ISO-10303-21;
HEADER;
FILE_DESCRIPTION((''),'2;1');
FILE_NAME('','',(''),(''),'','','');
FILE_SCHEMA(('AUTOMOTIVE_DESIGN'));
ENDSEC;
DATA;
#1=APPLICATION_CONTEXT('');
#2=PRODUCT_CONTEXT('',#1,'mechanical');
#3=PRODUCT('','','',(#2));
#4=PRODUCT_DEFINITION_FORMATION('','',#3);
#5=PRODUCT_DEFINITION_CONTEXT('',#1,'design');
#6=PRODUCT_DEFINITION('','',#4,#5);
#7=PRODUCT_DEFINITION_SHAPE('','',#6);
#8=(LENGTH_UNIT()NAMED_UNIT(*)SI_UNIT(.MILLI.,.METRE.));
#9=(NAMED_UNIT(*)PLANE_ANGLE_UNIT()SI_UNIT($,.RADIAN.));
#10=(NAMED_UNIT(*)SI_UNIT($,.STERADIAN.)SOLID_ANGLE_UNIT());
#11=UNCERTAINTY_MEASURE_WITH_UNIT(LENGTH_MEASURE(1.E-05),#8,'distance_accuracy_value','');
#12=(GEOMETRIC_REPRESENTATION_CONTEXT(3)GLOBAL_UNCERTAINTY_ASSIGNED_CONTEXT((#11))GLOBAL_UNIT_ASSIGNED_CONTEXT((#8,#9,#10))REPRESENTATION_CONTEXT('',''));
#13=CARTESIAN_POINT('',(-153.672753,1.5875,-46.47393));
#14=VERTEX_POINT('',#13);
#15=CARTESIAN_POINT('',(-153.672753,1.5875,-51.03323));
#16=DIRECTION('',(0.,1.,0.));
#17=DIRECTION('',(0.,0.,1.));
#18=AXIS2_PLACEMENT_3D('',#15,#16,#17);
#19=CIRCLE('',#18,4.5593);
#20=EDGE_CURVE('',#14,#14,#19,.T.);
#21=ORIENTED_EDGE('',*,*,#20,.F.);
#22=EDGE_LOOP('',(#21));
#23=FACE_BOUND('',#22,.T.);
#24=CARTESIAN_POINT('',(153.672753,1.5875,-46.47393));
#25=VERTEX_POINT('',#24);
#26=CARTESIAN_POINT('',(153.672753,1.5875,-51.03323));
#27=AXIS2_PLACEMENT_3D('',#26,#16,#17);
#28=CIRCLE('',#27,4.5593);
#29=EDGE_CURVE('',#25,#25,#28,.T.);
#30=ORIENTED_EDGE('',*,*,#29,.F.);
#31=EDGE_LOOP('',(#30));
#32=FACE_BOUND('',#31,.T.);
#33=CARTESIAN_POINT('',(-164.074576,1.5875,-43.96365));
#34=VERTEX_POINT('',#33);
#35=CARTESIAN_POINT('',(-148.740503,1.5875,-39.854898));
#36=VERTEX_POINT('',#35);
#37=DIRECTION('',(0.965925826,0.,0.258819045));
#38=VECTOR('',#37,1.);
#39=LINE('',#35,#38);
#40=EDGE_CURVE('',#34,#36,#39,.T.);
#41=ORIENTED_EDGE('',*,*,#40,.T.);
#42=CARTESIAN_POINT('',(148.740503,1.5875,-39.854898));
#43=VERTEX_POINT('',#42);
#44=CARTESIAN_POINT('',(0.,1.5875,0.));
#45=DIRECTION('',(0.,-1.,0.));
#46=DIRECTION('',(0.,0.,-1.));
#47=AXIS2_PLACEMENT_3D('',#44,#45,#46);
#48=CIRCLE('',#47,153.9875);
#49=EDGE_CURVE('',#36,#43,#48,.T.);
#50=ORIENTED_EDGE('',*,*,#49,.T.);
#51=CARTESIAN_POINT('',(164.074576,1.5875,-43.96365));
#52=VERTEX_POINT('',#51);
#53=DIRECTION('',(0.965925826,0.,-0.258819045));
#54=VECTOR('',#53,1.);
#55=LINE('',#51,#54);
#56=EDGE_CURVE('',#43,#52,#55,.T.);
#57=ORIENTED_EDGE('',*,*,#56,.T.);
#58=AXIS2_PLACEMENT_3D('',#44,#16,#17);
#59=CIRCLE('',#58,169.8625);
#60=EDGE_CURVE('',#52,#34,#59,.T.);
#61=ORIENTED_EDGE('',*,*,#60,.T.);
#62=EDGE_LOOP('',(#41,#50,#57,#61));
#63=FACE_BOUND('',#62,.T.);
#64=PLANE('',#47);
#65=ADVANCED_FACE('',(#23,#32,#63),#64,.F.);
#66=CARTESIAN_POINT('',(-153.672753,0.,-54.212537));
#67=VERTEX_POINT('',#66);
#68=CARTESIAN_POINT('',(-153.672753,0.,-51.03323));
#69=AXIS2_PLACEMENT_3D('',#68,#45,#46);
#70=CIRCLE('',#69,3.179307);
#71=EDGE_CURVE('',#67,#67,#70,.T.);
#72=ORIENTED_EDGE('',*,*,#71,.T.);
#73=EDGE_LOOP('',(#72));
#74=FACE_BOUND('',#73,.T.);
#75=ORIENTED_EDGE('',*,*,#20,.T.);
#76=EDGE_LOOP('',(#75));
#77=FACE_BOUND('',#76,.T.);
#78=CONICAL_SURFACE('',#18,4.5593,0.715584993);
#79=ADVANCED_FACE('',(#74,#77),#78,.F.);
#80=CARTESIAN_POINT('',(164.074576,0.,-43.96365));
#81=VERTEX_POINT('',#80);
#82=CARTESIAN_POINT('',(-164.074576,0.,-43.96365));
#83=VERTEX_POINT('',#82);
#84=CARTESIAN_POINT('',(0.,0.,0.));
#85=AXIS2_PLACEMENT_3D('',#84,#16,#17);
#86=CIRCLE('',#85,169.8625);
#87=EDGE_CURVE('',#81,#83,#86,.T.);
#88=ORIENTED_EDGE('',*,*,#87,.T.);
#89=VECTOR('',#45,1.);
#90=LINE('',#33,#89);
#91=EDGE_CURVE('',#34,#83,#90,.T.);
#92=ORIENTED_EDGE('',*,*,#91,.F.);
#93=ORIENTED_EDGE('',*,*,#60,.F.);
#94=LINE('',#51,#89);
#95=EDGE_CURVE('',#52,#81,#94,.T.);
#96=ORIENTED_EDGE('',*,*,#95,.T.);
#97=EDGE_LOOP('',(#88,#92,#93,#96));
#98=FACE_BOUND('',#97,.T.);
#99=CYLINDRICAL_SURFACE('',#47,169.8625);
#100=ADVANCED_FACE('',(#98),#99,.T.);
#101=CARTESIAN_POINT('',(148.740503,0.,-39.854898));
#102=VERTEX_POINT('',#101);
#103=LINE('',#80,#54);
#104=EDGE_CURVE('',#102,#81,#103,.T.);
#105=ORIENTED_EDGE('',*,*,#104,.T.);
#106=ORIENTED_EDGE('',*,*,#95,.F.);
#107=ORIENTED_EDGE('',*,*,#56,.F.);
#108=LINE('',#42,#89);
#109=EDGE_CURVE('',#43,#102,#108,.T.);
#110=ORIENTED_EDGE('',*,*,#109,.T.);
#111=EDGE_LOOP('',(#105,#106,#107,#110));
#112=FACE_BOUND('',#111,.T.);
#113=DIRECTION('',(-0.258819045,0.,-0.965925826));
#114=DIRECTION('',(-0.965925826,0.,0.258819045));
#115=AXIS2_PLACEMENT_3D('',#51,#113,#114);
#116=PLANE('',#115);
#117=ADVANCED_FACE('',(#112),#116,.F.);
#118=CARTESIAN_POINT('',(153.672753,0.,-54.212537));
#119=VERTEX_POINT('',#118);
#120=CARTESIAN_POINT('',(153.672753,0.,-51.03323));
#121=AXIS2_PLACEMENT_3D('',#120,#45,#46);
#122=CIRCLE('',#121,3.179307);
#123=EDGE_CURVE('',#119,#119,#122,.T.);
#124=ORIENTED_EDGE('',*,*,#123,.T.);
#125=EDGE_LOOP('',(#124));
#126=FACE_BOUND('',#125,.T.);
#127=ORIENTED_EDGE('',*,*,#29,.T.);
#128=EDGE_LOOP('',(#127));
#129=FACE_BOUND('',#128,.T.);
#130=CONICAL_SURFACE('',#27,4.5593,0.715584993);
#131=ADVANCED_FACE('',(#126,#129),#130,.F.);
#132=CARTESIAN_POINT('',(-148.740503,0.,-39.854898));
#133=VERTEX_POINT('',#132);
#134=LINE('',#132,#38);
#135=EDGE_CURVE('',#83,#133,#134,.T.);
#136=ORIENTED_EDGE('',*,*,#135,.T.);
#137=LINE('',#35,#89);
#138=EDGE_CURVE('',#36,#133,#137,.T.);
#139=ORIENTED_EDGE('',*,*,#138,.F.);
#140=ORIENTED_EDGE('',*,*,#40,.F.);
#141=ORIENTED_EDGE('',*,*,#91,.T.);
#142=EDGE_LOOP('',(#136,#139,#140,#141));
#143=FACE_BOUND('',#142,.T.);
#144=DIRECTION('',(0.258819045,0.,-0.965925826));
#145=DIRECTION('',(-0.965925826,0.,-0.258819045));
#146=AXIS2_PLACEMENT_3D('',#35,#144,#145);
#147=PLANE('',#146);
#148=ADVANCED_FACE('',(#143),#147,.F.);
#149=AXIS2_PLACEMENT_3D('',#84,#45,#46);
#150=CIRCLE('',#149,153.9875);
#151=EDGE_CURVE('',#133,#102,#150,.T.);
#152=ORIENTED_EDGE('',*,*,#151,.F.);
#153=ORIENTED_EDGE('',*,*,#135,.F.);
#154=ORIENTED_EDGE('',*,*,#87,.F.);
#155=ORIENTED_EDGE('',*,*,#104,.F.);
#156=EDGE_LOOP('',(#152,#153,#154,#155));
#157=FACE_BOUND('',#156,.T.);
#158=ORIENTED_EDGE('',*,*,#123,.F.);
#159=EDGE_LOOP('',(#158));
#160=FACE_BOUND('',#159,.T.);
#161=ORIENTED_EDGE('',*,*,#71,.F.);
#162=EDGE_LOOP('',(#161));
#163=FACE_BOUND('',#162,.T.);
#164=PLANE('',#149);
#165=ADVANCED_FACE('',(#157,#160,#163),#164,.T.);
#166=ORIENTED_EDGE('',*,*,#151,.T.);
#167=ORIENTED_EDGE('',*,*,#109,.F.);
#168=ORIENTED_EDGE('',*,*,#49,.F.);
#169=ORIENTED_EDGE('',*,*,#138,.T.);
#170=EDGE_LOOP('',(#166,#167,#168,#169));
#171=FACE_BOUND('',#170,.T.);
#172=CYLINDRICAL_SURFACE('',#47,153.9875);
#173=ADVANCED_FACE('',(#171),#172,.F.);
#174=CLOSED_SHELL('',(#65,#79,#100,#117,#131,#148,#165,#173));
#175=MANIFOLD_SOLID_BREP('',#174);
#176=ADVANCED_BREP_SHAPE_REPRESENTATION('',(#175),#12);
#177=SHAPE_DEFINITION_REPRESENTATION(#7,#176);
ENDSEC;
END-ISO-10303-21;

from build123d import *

# Parameters (mm, degrees)
BOSS_EXTRUDE1_DEPTH                           = 1.5875
CSK_FOR_8_FLAT_HEAD_SOCKET_CAP_SCREW1_A_COUNT = 2
CSK_FOR_8_FLAT_HEAD_SOCKET_CAP_SCREW1_A_PITCH = 307.345506508


with BuildPart() as part:
    # Sketch2 → Boss-Extrude1 (new body)
    with BuildSketch(Plane(origin=(0, 0, 0), x_dir=(1, 0, 0), z_dir=(0, 1, 0))):
        with BuildLine():
            Line((-148.740503176, 39.854897708), (-164.074575668, 43.963650049))
            ThreePointArc((-164.074575668, 43.963650049), (0, 169.8625), (164.074575668, 43.963650049))
            Line((164.074575668, 43.963650049), (148.740503176, 39.854897708))
            ThreePointArc((148.740503176, 39.854897708), (0, 153.9875), (-148.740503176, 39.854897708))
        make_face()
    extrude(amount=BOSS_EXTRUDE1_DEPTH)

    # Sketch4 → CSK for #8 Flat Head Socket Cap Screw1 (revolve, cut)
    with BuildSketch(Plane(origin=(-153.672753254, 1.5875, -51.033229688), x_dir=(0, 0, 1), z_dir=(1, 0, 0))):
        Polygon((0, 0), (0, 1.5875), (2.2479, 1.5875), (2.2479, 2.658961536), (4.5593, 0), align=None)
    csk_for_8_flat_head_socket_cap_screw1 = revolve(axis=Axis((-153.672753254, 7.9375, -51.033229688), (0, -1, 0)), mode=Mode.SUBTRACT)

    # CSK for #8 Flat Head Socket Cap Screw1 a: CSK for #8 Flat Head Socket Cap Screw1 ×2
    with Locations(*[(i * CSK_FOR_8_FLAT_HEAD_SOCKET_CAP_SCREW1_A_PITCH, 0, 0) for i in range(1, CSK_FOR_8_FLAT_HEAD_SOCKET_CAP_SCREW1_A_COUNT)]):
        add(csk_for_8_flat_head_socket_cap_screw1, mode=Mode.SUBTRACT)


solid = part.part
